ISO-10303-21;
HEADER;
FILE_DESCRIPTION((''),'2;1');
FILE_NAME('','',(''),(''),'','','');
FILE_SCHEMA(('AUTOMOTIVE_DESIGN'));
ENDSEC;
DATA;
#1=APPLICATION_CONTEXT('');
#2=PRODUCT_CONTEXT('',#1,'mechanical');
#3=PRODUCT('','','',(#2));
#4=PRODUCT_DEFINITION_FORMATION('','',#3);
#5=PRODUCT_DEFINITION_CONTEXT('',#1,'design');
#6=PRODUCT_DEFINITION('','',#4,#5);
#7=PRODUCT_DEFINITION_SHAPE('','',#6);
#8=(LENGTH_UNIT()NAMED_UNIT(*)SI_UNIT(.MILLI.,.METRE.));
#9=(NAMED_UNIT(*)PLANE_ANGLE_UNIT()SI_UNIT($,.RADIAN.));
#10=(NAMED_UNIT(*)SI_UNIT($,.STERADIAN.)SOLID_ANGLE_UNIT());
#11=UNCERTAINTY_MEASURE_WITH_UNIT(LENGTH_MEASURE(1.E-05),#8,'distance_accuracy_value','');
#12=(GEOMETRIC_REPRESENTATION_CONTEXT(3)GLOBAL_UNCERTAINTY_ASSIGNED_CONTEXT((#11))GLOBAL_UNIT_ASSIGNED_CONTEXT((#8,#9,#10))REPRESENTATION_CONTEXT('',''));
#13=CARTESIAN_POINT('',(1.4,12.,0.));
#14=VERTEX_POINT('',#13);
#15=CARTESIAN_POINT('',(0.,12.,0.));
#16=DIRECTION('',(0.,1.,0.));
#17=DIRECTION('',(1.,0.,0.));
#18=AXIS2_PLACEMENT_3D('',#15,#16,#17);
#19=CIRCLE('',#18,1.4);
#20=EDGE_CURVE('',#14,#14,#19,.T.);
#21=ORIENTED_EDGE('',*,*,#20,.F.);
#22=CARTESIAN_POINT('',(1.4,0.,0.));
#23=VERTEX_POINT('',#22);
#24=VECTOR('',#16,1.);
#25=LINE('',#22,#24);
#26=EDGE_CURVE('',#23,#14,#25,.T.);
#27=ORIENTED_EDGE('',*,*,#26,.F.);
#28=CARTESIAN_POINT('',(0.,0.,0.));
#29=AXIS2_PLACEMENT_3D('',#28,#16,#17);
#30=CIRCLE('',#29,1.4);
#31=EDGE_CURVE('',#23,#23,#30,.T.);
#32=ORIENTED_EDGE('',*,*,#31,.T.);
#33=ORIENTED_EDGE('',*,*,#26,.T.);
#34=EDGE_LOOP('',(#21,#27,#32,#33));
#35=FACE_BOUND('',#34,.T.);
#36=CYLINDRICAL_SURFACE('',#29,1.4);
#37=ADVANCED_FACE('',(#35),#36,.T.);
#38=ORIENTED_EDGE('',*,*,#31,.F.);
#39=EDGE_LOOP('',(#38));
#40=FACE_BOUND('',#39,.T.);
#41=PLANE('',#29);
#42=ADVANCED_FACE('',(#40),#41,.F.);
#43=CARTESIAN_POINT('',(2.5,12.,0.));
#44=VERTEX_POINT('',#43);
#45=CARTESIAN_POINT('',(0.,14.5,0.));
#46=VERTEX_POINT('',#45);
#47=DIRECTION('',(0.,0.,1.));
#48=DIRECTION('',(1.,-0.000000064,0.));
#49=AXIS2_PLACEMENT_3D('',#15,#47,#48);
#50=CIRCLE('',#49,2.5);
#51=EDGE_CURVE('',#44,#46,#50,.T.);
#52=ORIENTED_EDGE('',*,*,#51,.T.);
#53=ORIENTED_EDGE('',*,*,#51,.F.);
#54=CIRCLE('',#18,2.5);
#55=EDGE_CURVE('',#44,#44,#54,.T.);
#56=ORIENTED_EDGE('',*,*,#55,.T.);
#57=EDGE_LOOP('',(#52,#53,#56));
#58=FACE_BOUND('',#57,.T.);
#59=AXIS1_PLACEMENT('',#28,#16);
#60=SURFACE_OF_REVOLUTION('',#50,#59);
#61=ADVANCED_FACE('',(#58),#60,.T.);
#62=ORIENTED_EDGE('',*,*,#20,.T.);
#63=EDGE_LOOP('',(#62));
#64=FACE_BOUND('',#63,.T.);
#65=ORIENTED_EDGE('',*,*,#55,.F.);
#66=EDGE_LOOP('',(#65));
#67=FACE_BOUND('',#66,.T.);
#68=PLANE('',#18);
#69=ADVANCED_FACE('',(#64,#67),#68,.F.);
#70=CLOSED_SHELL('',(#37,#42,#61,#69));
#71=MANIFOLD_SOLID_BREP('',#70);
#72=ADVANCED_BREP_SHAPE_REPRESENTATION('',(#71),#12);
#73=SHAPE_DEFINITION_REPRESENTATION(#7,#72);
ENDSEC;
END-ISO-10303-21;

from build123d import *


with BuildPart() as part:
    # Sketch → Revolution (revolve)
    with BuildSketch(Plane.XY):
        with BuildLine():
            Line((0, 0), (1.4, 0))
            Line((1.4, 0), (1.4, 12))
            Line((1.4, 12), (2.5, 12))
            ThreePointArc((2.5, 12), (1.767767, 13.767767), (0, 14.5))
            Line((0, 14.5), (0, 0))
        make_face()
    revolve(axis=Axis((0, 0, 0), (0, 1, 0)))


solid = part.part
